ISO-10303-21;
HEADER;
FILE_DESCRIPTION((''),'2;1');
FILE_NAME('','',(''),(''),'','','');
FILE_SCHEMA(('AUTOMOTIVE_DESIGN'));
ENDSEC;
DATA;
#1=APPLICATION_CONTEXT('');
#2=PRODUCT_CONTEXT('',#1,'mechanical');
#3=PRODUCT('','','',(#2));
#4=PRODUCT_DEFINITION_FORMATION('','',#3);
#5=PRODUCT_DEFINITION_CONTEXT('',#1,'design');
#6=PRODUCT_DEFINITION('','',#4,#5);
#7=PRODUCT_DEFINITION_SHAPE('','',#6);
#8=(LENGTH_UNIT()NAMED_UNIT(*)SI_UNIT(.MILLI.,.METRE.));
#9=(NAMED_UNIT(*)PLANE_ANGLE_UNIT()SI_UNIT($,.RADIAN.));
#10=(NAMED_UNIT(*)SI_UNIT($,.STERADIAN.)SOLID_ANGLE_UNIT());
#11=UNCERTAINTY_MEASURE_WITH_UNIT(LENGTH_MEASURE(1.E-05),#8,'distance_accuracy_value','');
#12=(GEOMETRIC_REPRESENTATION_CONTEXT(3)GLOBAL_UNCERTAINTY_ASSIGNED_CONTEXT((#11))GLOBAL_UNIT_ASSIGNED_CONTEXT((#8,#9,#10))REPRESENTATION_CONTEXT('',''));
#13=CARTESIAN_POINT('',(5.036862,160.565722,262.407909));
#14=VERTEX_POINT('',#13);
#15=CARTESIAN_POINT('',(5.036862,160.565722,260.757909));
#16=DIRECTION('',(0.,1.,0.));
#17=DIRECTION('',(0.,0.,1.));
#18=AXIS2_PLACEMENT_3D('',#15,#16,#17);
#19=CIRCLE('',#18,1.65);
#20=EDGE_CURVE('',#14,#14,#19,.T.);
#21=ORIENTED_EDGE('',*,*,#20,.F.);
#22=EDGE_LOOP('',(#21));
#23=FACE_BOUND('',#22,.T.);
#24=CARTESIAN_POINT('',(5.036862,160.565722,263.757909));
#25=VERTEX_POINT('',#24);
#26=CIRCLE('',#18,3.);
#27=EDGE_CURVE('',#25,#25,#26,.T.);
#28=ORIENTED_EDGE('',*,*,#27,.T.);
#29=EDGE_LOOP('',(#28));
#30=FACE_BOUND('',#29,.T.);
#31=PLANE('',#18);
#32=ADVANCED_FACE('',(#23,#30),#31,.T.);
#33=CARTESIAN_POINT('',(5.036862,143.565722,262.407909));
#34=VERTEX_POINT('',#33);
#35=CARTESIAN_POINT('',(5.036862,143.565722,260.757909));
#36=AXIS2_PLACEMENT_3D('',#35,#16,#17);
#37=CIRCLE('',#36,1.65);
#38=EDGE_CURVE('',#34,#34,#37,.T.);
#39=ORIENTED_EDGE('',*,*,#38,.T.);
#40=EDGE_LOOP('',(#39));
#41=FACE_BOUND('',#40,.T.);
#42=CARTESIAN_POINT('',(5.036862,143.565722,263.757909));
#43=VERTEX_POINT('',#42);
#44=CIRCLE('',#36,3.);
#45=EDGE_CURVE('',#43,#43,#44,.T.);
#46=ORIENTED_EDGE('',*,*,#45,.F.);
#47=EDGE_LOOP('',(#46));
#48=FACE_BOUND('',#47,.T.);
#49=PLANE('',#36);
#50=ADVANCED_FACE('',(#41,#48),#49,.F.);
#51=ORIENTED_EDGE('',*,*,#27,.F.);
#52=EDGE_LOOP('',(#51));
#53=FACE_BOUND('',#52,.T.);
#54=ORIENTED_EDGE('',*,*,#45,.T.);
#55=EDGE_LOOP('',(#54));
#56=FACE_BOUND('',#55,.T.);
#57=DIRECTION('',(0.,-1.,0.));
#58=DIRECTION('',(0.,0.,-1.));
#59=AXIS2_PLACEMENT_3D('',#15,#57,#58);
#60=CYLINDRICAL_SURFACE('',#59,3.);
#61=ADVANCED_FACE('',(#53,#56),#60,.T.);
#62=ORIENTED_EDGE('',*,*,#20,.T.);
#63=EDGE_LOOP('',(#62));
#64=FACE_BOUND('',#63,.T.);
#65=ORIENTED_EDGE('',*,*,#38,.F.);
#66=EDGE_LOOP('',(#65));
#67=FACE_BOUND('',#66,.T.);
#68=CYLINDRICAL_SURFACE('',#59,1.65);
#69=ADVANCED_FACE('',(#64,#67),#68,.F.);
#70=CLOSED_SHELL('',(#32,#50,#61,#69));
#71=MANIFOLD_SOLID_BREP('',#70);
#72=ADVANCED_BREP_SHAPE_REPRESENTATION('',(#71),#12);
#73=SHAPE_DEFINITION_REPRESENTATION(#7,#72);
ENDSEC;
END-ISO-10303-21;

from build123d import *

# Parameters (mm, degrees)
SKETCH2_R           = 3
SKETCH2_R_2         = 1.65
BOSS_EXTRUDE1_DEPTH = 17


with BuildPart() as part:
    # Sketch2 → Boss-Extrude1 (new body)
    with BuildSketch(Plane(origin=(0, 143.565722281, 0), x_dir=(1, 0, 0), z_dir=(0, 1, 0))):
        with Locations((5.036862118, -260.757908841)):
            Circle(SKETCH2_R)
        with Locations((5.036862118, -260.757908841)):
            Circle(SKETCH2_R_2, mode=Mode.SUBTRACT)
    extrude(amount=BOSS_EXTRUDE1_DEPTH)


solid = part.part
